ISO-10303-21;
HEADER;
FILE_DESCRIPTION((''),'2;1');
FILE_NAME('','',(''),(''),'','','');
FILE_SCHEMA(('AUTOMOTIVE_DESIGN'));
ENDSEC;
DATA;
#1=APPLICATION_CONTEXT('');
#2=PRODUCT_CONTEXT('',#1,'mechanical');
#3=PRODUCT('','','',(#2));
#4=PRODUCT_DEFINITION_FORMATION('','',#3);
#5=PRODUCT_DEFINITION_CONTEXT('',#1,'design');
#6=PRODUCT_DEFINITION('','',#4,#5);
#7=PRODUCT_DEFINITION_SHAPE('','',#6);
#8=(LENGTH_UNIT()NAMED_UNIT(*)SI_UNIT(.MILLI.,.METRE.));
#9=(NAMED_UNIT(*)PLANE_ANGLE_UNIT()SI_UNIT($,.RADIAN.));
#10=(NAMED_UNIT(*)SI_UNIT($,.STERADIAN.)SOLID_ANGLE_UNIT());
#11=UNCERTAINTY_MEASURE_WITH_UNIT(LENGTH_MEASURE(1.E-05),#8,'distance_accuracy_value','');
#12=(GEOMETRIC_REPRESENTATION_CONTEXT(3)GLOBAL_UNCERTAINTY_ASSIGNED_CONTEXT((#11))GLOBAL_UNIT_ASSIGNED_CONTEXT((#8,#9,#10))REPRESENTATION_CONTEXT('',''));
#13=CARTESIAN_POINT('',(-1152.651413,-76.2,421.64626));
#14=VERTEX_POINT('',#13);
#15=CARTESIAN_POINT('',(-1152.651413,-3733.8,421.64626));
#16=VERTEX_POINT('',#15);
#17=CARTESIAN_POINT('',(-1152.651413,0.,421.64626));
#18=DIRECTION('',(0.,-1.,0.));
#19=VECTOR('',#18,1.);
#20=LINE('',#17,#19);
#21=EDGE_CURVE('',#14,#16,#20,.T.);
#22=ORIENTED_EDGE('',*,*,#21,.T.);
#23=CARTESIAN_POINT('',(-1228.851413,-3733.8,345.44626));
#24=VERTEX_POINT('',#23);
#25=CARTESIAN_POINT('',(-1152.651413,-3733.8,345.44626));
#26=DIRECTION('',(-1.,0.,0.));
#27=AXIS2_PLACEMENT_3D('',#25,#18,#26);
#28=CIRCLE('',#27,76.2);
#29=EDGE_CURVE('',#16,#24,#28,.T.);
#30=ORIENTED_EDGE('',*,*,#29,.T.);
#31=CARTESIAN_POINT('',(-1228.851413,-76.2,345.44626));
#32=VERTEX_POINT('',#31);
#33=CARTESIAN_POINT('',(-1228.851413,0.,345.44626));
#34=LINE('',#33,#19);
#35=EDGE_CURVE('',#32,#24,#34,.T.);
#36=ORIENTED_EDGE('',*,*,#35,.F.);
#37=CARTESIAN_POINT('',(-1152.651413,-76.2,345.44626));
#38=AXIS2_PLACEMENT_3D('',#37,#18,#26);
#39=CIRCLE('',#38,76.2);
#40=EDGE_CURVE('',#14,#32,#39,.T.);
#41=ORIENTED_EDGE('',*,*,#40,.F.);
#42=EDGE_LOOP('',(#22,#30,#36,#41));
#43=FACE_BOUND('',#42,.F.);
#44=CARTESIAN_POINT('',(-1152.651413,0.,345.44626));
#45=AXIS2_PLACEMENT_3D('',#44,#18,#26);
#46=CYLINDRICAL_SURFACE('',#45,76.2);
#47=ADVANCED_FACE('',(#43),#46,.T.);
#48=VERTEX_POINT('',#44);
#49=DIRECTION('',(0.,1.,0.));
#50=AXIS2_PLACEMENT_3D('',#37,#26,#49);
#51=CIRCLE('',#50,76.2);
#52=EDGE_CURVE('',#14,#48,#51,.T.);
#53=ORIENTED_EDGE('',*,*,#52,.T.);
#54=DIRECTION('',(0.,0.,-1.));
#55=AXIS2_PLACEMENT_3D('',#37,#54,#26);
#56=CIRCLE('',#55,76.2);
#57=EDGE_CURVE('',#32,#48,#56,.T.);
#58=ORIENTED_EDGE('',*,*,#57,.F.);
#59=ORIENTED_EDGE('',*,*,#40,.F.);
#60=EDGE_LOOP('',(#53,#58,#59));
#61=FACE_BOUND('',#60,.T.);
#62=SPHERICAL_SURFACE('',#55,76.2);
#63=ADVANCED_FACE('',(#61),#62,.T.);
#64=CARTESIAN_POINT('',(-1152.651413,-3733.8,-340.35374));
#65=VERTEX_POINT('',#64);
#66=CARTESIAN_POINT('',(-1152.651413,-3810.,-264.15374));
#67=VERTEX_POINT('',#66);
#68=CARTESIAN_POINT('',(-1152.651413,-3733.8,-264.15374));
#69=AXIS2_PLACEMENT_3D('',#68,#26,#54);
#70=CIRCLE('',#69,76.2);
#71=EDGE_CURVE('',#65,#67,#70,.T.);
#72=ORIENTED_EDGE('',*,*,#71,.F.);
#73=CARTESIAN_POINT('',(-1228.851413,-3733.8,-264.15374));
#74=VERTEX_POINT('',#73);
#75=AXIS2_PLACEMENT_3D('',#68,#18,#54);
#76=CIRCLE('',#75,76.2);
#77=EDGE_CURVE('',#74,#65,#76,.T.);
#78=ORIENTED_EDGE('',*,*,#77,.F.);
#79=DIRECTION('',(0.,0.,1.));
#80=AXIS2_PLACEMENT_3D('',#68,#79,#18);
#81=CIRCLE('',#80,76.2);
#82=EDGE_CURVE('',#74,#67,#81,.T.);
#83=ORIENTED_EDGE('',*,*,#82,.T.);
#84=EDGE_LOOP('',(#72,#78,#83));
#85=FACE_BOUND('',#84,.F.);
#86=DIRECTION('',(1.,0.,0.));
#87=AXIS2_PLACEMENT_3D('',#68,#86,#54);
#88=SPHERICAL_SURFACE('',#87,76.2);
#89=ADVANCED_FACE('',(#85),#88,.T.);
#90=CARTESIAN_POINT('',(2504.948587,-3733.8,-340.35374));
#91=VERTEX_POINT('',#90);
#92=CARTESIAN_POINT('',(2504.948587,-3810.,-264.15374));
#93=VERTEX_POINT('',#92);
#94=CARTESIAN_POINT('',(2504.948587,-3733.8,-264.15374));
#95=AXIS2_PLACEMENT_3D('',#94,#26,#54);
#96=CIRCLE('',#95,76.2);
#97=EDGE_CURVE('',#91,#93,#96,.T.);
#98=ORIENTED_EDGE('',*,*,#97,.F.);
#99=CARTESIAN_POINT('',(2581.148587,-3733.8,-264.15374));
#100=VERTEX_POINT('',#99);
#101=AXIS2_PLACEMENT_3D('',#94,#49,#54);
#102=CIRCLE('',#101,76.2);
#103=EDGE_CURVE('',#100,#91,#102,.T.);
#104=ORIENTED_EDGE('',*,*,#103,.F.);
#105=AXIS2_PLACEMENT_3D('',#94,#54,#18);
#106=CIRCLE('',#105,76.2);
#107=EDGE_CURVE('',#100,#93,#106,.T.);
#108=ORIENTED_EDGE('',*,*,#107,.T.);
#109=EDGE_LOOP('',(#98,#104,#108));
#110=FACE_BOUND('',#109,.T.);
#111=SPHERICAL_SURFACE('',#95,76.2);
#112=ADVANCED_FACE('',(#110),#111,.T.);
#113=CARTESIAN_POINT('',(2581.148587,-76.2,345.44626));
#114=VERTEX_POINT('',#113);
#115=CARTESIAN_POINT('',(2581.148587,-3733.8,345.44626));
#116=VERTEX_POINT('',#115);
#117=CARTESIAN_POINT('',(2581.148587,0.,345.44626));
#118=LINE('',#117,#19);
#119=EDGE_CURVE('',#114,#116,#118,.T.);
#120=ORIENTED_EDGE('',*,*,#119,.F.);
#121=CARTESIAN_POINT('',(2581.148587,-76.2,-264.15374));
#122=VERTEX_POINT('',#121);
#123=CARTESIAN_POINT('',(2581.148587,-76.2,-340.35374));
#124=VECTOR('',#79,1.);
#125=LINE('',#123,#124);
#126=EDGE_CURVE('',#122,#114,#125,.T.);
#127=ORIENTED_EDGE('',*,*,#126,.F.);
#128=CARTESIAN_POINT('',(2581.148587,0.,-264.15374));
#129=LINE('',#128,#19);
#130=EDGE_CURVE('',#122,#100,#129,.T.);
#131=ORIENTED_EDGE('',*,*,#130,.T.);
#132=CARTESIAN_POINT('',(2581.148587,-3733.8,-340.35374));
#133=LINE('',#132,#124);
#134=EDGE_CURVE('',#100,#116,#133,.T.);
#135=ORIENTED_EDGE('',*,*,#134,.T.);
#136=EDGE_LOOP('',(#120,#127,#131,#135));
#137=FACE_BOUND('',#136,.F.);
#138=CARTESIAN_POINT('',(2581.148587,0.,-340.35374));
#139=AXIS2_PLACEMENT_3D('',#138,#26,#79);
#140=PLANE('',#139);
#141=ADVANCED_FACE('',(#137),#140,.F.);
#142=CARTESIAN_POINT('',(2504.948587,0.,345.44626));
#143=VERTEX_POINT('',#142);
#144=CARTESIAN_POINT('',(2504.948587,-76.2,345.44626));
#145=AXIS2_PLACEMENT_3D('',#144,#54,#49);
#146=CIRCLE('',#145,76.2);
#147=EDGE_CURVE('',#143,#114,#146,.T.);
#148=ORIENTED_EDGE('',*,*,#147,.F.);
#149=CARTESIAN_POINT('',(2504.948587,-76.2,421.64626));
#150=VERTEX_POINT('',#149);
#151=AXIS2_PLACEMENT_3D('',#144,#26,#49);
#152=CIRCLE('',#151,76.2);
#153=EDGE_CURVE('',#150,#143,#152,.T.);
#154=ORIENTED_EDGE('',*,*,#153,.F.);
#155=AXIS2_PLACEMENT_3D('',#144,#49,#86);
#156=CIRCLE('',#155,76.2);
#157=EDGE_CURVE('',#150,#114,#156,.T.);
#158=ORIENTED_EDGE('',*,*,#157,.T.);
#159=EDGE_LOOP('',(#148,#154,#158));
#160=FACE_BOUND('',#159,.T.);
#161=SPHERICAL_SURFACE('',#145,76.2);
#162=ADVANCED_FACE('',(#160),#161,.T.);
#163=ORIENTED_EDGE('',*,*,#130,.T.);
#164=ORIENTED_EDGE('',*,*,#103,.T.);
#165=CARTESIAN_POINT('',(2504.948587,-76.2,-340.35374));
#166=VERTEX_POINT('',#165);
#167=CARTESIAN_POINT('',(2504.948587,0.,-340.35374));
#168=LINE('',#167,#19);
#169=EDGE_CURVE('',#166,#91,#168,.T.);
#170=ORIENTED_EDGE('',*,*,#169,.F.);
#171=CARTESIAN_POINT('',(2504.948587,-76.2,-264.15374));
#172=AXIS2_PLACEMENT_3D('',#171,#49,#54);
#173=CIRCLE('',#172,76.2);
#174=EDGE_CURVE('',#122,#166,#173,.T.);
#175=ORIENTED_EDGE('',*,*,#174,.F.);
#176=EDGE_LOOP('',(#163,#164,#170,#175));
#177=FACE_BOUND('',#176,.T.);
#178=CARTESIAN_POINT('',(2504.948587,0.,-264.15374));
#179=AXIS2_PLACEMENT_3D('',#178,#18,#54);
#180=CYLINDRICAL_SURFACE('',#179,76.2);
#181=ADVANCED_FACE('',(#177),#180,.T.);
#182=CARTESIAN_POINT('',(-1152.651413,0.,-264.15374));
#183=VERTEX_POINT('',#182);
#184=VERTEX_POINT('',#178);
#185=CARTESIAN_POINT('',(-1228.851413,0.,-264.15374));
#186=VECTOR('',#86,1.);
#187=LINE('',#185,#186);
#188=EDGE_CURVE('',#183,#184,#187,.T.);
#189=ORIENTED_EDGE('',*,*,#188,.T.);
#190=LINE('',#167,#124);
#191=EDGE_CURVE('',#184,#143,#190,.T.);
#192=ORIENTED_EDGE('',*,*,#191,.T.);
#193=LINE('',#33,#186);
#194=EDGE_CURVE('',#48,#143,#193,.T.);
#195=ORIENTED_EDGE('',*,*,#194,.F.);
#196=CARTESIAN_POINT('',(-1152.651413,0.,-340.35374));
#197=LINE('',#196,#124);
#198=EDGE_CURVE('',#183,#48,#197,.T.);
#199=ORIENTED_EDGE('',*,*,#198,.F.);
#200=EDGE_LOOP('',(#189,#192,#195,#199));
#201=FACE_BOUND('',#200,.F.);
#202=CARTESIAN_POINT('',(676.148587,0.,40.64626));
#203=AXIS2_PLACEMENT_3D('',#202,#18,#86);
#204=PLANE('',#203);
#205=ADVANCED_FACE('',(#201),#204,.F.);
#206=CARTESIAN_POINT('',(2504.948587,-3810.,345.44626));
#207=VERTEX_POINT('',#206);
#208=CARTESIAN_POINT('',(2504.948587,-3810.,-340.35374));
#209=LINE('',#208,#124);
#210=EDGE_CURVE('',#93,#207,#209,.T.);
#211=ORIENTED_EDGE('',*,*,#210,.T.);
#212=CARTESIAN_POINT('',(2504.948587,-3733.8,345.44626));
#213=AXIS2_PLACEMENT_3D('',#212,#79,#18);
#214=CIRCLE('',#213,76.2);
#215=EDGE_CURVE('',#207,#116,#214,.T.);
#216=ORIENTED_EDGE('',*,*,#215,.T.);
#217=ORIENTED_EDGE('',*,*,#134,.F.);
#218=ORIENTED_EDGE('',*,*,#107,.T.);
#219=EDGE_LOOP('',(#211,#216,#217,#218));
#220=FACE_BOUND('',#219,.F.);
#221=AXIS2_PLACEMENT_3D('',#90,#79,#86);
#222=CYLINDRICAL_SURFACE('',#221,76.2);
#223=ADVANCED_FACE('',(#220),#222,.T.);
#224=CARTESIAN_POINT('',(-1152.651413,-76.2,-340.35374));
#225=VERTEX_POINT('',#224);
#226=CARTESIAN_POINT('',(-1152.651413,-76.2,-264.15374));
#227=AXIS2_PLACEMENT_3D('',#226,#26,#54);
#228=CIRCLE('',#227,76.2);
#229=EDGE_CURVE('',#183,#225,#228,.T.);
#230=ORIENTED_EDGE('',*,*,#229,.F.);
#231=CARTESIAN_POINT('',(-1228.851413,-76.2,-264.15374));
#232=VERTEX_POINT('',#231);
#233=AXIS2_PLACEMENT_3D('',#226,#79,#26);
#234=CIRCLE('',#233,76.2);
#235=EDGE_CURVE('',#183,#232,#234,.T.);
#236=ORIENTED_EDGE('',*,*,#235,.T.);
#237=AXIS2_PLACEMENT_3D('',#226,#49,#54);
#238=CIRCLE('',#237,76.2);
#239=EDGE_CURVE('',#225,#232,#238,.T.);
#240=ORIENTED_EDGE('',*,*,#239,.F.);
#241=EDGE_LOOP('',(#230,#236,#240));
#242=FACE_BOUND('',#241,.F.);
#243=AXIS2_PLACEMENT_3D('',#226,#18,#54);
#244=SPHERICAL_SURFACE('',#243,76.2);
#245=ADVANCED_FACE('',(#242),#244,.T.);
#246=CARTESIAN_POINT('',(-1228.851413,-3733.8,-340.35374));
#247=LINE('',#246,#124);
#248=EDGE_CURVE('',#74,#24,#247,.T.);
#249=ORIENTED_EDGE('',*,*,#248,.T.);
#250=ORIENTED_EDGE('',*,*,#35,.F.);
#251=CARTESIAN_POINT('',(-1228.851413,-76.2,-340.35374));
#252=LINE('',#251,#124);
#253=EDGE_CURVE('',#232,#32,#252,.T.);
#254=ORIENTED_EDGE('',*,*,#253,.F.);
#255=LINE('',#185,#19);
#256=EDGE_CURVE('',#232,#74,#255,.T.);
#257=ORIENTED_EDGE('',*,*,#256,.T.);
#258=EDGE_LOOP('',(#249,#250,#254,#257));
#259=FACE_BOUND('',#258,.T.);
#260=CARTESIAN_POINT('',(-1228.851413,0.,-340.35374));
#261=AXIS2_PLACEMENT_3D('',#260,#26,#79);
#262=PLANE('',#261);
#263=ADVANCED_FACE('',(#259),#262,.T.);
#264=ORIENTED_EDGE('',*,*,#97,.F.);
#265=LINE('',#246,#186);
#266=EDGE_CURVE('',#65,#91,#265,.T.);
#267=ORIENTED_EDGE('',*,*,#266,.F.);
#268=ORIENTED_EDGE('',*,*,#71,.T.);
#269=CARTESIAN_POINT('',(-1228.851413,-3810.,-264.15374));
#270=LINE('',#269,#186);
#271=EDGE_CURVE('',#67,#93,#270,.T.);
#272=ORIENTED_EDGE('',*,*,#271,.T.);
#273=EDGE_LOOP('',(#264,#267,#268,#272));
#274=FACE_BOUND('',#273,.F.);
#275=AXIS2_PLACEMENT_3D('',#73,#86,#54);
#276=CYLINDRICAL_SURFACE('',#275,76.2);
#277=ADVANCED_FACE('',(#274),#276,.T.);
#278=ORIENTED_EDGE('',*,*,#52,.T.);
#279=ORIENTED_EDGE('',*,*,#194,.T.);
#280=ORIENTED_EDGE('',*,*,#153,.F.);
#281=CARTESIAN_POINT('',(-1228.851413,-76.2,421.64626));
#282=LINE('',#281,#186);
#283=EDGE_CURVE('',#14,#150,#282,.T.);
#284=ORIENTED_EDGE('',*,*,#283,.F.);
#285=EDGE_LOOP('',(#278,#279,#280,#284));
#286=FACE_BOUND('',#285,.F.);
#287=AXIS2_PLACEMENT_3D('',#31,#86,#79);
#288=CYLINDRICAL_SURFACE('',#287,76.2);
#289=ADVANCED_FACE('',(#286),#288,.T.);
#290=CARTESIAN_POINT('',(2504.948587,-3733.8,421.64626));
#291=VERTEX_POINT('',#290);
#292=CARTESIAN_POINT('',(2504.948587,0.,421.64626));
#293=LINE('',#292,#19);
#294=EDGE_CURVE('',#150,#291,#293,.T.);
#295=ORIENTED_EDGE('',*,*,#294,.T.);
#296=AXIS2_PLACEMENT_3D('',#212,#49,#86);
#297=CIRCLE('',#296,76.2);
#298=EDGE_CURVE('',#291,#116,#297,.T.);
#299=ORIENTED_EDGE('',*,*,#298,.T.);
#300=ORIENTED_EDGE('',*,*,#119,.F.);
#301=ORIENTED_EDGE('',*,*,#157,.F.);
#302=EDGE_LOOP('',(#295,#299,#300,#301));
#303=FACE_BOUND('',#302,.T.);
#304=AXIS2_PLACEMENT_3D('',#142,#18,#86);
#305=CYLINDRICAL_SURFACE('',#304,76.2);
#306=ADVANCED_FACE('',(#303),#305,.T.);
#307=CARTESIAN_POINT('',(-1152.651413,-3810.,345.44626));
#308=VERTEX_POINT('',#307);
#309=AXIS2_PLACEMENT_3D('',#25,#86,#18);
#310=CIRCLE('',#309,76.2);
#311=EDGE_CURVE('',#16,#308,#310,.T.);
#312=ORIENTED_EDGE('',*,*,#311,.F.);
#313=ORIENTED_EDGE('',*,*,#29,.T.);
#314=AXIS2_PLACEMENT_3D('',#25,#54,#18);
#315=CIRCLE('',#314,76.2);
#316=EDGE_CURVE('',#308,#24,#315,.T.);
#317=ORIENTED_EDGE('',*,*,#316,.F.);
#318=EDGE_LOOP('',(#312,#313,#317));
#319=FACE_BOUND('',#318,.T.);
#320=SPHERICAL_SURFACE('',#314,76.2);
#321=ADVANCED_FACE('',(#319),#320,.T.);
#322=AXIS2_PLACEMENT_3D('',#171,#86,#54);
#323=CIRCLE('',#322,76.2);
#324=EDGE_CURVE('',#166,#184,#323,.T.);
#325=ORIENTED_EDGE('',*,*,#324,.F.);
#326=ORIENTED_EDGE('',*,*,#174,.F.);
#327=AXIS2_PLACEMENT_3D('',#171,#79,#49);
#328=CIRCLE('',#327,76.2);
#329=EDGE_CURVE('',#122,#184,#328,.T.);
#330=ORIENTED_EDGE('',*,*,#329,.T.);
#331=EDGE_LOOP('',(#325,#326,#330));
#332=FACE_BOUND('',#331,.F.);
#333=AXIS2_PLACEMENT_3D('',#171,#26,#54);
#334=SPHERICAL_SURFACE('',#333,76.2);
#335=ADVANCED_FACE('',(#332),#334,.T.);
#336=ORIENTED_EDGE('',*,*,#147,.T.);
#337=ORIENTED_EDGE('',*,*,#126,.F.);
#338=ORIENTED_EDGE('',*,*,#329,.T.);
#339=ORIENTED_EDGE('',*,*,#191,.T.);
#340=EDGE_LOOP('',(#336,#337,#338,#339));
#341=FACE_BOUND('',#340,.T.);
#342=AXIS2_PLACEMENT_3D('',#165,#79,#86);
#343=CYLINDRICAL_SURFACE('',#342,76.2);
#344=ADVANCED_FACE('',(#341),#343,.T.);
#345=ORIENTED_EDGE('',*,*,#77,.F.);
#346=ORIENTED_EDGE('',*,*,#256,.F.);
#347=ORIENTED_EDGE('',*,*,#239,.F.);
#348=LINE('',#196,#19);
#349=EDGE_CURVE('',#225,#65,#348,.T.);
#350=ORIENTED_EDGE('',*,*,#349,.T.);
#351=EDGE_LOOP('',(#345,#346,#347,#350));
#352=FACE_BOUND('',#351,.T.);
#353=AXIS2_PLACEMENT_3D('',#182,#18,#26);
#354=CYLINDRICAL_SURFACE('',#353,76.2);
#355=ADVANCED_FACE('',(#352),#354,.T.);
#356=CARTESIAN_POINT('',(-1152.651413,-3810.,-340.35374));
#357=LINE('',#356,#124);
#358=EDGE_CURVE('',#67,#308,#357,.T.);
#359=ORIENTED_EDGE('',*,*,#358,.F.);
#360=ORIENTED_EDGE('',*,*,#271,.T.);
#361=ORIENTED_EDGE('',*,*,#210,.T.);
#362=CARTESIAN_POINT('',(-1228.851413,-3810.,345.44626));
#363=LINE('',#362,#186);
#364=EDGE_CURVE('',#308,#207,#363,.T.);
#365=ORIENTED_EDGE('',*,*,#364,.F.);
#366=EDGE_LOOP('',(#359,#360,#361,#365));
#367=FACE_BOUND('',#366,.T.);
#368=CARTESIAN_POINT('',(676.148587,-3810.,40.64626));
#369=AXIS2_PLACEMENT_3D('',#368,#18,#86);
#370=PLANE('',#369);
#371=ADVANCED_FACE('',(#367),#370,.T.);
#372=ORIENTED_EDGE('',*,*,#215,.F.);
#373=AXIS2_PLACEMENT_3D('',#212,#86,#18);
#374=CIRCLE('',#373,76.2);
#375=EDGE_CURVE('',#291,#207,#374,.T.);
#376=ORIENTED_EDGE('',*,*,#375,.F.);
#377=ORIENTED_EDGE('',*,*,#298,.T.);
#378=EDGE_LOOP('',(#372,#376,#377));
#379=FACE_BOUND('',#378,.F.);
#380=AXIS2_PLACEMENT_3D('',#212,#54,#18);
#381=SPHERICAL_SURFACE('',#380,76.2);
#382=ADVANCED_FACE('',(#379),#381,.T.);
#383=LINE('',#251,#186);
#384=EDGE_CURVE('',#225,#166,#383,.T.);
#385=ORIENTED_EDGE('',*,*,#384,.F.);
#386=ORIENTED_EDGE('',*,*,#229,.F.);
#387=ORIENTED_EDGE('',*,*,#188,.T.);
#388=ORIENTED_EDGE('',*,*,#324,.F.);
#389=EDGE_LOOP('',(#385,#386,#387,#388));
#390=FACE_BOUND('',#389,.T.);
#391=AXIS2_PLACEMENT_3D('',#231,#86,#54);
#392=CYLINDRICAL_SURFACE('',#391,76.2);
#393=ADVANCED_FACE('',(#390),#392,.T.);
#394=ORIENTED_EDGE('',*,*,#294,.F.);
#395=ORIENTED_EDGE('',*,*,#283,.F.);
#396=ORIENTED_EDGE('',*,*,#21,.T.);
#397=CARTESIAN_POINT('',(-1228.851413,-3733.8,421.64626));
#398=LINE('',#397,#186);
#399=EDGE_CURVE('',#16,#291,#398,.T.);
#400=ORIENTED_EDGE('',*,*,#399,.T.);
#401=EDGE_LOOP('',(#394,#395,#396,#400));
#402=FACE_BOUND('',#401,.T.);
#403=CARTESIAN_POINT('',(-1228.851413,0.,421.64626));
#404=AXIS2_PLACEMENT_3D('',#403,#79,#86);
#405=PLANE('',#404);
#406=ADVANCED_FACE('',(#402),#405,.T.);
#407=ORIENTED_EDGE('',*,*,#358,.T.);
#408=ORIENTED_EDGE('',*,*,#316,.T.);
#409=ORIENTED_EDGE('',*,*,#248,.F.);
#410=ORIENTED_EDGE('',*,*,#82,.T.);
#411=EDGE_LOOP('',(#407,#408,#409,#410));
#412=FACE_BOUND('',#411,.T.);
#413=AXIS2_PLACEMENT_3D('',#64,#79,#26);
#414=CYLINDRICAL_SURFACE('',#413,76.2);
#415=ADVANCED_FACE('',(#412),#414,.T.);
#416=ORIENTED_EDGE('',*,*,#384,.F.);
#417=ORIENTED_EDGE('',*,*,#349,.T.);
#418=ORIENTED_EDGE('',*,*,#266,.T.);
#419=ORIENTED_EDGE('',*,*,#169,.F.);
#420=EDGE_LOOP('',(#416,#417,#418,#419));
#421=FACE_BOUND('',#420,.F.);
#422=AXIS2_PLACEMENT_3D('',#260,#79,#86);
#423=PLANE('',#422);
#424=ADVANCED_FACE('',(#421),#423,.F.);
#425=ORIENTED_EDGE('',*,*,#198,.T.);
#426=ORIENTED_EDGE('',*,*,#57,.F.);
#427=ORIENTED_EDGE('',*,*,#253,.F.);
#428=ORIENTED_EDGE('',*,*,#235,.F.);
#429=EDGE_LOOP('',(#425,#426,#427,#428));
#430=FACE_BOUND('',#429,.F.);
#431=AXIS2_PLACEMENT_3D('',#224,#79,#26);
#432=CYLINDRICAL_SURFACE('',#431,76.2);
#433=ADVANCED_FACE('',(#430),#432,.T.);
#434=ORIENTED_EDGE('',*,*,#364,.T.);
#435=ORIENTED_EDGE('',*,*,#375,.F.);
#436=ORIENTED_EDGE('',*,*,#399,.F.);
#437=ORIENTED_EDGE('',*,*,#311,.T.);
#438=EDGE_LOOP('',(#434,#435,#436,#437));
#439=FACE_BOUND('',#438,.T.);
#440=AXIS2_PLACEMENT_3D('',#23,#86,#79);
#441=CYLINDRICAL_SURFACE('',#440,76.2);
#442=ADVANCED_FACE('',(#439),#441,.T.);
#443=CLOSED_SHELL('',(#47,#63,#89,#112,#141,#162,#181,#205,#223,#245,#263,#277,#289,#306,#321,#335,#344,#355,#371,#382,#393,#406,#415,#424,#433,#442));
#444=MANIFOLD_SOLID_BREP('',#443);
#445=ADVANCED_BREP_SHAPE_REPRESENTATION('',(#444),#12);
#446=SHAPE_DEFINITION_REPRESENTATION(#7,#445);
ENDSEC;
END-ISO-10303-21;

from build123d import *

# Parameters (mm, degrees)
F0_W     = 3810
F0_H     = 762
F1_DEPTH = 3810
F2_R     = 76.2


with BuildPart() as f1:
    # F0 (on Front) → F1 (new body)
    with BuildSketch(Plane.XZ):
        with Locations((676.148587, 40.64626)):
            Rectangle(F0_W, F0_H)
    extrude(amount=F1_DEPTH)

    # F2
    f2_edges = [f1.edges().sort_by_distance(p)[0] for p in [
        (676.148587, -3810, -340.35374),
        (-1228.851413, -1905, -340.35374),
        (676.148587, 0, -340.35374),
        (2581.148587, -1905, -340.35374),
        (-1228.851413, 0, 40.64626),
        (-1228.851413, -3810, 40.64626),
        (2581.148587, 0, 40.64626),
        (2581.148587, -3810, 40.64626),
        (676.148587, -3810, 421.64626),
        (-1228.851413, -1905, 421.64626),
        (676.148587, 0, 421.64626),
        (2581.148587, -1905, 421.64626),
    ]]
    fillet(f2_edges, radius=F2_R)


solid = f1.part
